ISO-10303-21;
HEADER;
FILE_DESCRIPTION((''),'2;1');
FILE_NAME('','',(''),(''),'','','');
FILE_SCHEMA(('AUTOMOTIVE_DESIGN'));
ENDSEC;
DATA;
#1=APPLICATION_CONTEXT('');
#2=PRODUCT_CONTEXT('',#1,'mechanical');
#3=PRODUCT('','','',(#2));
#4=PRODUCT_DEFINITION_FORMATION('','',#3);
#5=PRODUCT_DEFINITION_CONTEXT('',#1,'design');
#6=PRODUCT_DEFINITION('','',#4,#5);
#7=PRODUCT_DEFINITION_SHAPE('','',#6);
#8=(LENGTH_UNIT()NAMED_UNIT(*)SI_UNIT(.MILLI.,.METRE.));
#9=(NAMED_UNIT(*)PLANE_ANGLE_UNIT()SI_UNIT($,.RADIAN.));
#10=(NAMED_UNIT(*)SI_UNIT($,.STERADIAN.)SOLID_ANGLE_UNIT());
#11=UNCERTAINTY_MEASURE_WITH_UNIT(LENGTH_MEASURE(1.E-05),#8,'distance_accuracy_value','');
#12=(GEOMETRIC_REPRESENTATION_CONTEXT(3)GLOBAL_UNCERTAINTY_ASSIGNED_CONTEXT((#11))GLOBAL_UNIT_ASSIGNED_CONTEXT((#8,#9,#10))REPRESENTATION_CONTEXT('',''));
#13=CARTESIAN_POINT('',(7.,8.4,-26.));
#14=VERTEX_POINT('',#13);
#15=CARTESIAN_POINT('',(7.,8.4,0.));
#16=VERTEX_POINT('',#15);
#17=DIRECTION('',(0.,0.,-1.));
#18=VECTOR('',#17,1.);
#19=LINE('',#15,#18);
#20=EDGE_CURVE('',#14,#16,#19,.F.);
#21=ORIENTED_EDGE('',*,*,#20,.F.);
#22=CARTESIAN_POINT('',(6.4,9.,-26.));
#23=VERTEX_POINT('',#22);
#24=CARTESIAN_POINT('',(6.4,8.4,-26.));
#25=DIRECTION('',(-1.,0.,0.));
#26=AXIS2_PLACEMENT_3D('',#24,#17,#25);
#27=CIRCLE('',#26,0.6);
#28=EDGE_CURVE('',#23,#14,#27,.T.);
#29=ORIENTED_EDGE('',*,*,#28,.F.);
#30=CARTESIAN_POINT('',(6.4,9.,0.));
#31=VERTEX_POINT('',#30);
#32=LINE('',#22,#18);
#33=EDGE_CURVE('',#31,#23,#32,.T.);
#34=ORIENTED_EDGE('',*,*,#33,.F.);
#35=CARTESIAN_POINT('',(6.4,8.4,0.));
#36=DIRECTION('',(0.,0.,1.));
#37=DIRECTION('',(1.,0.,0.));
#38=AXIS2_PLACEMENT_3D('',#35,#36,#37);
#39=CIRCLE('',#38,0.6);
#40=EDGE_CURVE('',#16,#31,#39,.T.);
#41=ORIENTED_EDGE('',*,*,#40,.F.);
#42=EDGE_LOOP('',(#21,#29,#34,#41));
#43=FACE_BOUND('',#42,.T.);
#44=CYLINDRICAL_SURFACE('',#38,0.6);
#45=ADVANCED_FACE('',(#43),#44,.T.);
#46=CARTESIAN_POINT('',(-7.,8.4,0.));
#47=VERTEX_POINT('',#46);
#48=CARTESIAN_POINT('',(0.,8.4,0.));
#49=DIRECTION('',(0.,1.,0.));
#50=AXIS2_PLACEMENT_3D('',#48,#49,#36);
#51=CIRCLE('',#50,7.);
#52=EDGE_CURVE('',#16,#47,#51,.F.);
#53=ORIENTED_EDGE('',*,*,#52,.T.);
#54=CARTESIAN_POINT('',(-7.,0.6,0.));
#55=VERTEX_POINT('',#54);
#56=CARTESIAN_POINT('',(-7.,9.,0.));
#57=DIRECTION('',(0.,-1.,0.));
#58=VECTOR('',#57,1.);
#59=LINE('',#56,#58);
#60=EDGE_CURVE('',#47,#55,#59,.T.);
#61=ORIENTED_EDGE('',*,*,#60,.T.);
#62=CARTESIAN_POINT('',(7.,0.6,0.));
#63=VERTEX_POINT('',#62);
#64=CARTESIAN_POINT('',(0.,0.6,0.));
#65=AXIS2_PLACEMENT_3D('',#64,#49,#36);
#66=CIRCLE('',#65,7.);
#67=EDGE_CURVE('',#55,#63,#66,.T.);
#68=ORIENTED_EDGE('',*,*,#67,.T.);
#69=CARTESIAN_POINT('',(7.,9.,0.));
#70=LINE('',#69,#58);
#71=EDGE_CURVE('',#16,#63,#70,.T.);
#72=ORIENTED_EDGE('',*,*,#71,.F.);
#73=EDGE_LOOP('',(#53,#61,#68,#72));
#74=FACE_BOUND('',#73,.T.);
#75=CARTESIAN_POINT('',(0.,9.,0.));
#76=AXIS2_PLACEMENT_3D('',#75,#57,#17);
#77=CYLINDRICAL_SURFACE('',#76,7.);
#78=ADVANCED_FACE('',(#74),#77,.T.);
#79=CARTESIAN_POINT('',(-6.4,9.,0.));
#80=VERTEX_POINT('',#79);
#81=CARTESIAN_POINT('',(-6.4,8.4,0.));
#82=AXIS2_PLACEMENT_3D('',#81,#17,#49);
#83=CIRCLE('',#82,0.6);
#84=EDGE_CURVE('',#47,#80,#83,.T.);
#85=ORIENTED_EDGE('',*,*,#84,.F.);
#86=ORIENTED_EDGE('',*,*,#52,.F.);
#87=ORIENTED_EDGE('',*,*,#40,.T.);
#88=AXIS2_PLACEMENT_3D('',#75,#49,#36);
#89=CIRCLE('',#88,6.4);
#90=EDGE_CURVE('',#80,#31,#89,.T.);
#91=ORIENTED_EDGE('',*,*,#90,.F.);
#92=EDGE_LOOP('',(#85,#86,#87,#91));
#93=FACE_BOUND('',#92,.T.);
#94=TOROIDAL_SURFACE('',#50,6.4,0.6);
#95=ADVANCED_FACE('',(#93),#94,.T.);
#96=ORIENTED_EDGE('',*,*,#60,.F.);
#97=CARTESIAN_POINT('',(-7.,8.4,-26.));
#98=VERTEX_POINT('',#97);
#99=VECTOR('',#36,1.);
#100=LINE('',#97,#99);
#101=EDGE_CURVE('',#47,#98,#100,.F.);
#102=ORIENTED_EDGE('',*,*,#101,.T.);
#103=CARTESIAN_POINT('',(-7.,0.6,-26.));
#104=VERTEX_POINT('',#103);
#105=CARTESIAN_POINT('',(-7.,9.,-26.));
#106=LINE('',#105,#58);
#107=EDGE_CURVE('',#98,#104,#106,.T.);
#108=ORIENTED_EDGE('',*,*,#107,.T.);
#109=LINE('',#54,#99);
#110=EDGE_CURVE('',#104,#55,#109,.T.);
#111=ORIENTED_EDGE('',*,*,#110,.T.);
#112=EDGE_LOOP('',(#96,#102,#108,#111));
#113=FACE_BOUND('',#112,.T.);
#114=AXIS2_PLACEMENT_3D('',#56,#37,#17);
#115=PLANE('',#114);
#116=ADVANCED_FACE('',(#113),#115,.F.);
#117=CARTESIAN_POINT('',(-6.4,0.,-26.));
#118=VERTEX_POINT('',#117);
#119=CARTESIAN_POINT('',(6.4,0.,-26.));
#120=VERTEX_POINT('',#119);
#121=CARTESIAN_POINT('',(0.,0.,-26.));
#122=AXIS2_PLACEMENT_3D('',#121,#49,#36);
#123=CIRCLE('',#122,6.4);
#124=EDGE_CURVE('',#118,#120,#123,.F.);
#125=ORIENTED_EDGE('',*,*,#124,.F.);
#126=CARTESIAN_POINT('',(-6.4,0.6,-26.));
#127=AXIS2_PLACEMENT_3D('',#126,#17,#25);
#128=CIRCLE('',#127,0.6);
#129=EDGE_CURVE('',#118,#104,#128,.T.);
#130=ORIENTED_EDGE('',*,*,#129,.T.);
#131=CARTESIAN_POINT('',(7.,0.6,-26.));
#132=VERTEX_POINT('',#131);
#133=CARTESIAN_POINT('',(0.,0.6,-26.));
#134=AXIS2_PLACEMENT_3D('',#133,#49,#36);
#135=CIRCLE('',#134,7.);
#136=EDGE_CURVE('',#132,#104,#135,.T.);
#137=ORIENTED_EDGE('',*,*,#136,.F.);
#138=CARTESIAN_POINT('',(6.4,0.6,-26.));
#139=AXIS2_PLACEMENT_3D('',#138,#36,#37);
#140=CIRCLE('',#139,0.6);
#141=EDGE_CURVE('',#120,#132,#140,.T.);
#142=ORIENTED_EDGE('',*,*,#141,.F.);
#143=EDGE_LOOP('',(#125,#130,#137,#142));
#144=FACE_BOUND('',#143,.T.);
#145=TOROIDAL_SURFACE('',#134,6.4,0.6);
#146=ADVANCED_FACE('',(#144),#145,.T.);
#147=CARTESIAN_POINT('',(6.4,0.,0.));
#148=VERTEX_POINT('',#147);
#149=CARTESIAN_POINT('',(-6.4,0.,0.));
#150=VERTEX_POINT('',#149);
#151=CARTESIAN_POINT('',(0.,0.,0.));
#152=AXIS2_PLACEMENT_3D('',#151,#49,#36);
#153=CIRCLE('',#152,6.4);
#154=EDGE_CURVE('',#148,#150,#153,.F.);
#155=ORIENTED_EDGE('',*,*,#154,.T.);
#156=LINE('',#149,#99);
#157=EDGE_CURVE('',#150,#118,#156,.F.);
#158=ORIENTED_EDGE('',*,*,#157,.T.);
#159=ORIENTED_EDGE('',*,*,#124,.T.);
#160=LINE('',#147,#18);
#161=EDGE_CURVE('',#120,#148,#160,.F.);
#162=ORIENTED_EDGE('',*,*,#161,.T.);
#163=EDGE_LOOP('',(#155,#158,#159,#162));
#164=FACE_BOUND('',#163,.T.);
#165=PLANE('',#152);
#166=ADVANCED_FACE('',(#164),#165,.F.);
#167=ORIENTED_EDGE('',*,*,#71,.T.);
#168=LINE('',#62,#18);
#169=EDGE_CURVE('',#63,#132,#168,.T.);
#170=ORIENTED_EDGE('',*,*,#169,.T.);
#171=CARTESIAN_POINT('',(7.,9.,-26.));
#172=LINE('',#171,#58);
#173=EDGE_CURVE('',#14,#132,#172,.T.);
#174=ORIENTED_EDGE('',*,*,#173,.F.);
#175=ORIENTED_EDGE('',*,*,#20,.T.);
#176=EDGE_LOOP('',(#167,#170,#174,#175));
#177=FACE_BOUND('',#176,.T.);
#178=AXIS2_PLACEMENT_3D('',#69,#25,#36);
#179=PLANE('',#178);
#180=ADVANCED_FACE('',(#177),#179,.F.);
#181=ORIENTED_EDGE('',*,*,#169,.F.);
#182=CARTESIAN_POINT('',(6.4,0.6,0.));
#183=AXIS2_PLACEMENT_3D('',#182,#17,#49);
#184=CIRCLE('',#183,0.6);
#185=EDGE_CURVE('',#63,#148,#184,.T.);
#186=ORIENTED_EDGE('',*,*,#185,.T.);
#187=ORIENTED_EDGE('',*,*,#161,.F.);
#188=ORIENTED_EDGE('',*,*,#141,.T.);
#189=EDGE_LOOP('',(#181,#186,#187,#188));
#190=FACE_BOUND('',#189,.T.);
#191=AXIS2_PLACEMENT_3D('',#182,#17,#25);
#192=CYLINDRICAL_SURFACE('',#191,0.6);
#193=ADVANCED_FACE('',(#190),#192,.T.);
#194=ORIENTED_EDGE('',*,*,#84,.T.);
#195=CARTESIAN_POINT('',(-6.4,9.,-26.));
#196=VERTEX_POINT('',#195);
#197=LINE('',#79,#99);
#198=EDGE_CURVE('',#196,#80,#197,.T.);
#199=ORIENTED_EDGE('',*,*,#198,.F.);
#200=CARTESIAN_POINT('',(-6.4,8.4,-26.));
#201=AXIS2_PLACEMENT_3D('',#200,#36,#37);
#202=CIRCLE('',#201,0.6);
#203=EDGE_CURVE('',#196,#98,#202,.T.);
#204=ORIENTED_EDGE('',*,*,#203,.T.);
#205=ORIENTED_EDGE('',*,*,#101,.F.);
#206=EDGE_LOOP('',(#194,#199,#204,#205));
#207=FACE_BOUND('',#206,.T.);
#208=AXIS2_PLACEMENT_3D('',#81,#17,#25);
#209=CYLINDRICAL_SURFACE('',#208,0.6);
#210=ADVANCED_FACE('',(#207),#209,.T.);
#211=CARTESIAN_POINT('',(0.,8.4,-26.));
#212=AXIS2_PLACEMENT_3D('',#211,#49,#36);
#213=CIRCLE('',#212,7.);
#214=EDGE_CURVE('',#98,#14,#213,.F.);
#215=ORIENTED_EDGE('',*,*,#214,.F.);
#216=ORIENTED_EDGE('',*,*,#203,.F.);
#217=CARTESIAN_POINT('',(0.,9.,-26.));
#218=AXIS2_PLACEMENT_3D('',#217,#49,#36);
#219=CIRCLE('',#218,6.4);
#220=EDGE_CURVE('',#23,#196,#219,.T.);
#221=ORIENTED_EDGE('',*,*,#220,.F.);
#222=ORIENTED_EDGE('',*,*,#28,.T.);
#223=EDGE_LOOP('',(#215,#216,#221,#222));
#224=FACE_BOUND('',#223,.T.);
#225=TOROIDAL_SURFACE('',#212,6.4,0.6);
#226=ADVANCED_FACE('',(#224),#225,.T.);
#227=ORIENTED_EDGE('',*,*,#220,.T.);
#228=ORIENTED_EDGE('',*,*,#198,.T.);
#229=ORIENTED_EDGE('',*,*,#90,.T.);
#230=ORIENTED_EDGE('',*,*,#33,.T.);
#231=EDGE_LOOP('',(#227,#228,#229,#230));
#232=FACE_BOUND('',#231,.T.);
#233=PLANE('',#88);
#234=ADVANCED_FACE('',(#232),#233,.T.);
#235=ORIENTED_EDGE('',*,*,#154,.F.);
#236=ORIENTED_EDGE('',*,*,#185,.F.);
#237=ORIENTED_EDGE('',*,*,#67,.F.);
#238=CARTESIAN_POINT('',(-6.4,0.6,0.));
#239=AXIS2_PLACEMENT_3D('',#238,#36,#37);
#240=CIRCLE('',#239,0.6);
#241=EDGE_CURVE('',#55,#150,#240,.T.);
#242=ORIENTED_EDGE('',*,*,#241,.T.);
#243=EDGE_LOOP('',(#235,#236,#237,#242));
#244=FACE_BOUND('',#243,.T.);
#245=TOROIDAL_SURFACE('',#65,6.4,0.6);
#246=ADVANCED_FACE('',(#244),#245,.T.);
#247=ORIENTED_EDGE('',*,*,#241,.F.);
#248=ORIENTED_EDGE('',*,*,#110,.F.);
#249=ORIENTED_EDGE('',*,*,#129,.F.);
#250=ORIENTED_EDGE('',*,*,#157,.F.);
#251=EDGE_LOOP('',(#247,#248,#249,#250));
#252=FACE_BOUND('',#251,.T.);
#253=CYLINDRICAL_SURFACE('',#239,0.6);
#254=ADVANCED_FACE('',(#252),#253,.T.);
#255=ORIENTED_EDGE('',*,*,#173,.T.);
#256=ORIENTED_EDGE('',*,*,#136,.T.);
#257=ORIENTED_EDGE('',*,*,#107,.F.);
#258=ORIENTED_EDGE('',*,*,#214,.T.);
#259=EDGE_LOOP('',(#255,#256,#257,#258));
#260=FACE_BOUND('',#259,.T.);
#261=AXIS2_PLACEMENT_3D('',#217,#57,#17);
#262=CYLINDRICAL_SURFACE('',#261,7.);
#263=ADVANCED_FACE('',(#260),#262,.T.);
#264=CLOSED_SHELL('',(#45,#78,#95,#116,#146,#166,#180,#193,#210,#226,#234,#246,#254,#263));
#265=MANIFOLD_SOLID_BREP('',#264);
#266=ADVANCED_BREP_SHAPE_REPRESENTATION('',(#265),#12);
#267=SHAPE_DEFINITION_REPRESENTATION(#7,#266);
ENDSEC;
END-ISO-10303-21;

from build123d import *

# Parameters (mm, degrees)
EXTRUDE_1_DEPTH = 9
FILLET_1_R      = 0.6


with BuildPart() as part:
    # Эскиз1 → Бобышка-Вытянуть1 (new body)
    with BuildSketch(Plane(origin=(0, 0, 0), x_dir=(1, 0, 0), z_dir=(0, 1, 0))):
        with BuildLine():
            Line((-7, 0), (-7, 26))
            ThreePointArc((-7, 26), (0, 33), (7, 26))
            Line((7, 26), (7, 0))
            ThreePointArc((7, 0), (0, -7), (-7, 0))
        make_face()
    extrude(amount=EXTRUDE_1_DEPTH)

    # Скругление1
    fillet_1_edges = [part.edges().sort_by_distance(p)[0] for p in [
        (0, 9, -33),
        (-7, 9, -13),
        (0, 9, 7),
        (-7, 0, -13),
        (0, 0, -33),
        (7, 0, -13),
        (0, 0, 7),
        (7, 9, -13),
    ]]
    fillet(fillet_1_edges, radius=FILLET_1_R)


solid = part.part
